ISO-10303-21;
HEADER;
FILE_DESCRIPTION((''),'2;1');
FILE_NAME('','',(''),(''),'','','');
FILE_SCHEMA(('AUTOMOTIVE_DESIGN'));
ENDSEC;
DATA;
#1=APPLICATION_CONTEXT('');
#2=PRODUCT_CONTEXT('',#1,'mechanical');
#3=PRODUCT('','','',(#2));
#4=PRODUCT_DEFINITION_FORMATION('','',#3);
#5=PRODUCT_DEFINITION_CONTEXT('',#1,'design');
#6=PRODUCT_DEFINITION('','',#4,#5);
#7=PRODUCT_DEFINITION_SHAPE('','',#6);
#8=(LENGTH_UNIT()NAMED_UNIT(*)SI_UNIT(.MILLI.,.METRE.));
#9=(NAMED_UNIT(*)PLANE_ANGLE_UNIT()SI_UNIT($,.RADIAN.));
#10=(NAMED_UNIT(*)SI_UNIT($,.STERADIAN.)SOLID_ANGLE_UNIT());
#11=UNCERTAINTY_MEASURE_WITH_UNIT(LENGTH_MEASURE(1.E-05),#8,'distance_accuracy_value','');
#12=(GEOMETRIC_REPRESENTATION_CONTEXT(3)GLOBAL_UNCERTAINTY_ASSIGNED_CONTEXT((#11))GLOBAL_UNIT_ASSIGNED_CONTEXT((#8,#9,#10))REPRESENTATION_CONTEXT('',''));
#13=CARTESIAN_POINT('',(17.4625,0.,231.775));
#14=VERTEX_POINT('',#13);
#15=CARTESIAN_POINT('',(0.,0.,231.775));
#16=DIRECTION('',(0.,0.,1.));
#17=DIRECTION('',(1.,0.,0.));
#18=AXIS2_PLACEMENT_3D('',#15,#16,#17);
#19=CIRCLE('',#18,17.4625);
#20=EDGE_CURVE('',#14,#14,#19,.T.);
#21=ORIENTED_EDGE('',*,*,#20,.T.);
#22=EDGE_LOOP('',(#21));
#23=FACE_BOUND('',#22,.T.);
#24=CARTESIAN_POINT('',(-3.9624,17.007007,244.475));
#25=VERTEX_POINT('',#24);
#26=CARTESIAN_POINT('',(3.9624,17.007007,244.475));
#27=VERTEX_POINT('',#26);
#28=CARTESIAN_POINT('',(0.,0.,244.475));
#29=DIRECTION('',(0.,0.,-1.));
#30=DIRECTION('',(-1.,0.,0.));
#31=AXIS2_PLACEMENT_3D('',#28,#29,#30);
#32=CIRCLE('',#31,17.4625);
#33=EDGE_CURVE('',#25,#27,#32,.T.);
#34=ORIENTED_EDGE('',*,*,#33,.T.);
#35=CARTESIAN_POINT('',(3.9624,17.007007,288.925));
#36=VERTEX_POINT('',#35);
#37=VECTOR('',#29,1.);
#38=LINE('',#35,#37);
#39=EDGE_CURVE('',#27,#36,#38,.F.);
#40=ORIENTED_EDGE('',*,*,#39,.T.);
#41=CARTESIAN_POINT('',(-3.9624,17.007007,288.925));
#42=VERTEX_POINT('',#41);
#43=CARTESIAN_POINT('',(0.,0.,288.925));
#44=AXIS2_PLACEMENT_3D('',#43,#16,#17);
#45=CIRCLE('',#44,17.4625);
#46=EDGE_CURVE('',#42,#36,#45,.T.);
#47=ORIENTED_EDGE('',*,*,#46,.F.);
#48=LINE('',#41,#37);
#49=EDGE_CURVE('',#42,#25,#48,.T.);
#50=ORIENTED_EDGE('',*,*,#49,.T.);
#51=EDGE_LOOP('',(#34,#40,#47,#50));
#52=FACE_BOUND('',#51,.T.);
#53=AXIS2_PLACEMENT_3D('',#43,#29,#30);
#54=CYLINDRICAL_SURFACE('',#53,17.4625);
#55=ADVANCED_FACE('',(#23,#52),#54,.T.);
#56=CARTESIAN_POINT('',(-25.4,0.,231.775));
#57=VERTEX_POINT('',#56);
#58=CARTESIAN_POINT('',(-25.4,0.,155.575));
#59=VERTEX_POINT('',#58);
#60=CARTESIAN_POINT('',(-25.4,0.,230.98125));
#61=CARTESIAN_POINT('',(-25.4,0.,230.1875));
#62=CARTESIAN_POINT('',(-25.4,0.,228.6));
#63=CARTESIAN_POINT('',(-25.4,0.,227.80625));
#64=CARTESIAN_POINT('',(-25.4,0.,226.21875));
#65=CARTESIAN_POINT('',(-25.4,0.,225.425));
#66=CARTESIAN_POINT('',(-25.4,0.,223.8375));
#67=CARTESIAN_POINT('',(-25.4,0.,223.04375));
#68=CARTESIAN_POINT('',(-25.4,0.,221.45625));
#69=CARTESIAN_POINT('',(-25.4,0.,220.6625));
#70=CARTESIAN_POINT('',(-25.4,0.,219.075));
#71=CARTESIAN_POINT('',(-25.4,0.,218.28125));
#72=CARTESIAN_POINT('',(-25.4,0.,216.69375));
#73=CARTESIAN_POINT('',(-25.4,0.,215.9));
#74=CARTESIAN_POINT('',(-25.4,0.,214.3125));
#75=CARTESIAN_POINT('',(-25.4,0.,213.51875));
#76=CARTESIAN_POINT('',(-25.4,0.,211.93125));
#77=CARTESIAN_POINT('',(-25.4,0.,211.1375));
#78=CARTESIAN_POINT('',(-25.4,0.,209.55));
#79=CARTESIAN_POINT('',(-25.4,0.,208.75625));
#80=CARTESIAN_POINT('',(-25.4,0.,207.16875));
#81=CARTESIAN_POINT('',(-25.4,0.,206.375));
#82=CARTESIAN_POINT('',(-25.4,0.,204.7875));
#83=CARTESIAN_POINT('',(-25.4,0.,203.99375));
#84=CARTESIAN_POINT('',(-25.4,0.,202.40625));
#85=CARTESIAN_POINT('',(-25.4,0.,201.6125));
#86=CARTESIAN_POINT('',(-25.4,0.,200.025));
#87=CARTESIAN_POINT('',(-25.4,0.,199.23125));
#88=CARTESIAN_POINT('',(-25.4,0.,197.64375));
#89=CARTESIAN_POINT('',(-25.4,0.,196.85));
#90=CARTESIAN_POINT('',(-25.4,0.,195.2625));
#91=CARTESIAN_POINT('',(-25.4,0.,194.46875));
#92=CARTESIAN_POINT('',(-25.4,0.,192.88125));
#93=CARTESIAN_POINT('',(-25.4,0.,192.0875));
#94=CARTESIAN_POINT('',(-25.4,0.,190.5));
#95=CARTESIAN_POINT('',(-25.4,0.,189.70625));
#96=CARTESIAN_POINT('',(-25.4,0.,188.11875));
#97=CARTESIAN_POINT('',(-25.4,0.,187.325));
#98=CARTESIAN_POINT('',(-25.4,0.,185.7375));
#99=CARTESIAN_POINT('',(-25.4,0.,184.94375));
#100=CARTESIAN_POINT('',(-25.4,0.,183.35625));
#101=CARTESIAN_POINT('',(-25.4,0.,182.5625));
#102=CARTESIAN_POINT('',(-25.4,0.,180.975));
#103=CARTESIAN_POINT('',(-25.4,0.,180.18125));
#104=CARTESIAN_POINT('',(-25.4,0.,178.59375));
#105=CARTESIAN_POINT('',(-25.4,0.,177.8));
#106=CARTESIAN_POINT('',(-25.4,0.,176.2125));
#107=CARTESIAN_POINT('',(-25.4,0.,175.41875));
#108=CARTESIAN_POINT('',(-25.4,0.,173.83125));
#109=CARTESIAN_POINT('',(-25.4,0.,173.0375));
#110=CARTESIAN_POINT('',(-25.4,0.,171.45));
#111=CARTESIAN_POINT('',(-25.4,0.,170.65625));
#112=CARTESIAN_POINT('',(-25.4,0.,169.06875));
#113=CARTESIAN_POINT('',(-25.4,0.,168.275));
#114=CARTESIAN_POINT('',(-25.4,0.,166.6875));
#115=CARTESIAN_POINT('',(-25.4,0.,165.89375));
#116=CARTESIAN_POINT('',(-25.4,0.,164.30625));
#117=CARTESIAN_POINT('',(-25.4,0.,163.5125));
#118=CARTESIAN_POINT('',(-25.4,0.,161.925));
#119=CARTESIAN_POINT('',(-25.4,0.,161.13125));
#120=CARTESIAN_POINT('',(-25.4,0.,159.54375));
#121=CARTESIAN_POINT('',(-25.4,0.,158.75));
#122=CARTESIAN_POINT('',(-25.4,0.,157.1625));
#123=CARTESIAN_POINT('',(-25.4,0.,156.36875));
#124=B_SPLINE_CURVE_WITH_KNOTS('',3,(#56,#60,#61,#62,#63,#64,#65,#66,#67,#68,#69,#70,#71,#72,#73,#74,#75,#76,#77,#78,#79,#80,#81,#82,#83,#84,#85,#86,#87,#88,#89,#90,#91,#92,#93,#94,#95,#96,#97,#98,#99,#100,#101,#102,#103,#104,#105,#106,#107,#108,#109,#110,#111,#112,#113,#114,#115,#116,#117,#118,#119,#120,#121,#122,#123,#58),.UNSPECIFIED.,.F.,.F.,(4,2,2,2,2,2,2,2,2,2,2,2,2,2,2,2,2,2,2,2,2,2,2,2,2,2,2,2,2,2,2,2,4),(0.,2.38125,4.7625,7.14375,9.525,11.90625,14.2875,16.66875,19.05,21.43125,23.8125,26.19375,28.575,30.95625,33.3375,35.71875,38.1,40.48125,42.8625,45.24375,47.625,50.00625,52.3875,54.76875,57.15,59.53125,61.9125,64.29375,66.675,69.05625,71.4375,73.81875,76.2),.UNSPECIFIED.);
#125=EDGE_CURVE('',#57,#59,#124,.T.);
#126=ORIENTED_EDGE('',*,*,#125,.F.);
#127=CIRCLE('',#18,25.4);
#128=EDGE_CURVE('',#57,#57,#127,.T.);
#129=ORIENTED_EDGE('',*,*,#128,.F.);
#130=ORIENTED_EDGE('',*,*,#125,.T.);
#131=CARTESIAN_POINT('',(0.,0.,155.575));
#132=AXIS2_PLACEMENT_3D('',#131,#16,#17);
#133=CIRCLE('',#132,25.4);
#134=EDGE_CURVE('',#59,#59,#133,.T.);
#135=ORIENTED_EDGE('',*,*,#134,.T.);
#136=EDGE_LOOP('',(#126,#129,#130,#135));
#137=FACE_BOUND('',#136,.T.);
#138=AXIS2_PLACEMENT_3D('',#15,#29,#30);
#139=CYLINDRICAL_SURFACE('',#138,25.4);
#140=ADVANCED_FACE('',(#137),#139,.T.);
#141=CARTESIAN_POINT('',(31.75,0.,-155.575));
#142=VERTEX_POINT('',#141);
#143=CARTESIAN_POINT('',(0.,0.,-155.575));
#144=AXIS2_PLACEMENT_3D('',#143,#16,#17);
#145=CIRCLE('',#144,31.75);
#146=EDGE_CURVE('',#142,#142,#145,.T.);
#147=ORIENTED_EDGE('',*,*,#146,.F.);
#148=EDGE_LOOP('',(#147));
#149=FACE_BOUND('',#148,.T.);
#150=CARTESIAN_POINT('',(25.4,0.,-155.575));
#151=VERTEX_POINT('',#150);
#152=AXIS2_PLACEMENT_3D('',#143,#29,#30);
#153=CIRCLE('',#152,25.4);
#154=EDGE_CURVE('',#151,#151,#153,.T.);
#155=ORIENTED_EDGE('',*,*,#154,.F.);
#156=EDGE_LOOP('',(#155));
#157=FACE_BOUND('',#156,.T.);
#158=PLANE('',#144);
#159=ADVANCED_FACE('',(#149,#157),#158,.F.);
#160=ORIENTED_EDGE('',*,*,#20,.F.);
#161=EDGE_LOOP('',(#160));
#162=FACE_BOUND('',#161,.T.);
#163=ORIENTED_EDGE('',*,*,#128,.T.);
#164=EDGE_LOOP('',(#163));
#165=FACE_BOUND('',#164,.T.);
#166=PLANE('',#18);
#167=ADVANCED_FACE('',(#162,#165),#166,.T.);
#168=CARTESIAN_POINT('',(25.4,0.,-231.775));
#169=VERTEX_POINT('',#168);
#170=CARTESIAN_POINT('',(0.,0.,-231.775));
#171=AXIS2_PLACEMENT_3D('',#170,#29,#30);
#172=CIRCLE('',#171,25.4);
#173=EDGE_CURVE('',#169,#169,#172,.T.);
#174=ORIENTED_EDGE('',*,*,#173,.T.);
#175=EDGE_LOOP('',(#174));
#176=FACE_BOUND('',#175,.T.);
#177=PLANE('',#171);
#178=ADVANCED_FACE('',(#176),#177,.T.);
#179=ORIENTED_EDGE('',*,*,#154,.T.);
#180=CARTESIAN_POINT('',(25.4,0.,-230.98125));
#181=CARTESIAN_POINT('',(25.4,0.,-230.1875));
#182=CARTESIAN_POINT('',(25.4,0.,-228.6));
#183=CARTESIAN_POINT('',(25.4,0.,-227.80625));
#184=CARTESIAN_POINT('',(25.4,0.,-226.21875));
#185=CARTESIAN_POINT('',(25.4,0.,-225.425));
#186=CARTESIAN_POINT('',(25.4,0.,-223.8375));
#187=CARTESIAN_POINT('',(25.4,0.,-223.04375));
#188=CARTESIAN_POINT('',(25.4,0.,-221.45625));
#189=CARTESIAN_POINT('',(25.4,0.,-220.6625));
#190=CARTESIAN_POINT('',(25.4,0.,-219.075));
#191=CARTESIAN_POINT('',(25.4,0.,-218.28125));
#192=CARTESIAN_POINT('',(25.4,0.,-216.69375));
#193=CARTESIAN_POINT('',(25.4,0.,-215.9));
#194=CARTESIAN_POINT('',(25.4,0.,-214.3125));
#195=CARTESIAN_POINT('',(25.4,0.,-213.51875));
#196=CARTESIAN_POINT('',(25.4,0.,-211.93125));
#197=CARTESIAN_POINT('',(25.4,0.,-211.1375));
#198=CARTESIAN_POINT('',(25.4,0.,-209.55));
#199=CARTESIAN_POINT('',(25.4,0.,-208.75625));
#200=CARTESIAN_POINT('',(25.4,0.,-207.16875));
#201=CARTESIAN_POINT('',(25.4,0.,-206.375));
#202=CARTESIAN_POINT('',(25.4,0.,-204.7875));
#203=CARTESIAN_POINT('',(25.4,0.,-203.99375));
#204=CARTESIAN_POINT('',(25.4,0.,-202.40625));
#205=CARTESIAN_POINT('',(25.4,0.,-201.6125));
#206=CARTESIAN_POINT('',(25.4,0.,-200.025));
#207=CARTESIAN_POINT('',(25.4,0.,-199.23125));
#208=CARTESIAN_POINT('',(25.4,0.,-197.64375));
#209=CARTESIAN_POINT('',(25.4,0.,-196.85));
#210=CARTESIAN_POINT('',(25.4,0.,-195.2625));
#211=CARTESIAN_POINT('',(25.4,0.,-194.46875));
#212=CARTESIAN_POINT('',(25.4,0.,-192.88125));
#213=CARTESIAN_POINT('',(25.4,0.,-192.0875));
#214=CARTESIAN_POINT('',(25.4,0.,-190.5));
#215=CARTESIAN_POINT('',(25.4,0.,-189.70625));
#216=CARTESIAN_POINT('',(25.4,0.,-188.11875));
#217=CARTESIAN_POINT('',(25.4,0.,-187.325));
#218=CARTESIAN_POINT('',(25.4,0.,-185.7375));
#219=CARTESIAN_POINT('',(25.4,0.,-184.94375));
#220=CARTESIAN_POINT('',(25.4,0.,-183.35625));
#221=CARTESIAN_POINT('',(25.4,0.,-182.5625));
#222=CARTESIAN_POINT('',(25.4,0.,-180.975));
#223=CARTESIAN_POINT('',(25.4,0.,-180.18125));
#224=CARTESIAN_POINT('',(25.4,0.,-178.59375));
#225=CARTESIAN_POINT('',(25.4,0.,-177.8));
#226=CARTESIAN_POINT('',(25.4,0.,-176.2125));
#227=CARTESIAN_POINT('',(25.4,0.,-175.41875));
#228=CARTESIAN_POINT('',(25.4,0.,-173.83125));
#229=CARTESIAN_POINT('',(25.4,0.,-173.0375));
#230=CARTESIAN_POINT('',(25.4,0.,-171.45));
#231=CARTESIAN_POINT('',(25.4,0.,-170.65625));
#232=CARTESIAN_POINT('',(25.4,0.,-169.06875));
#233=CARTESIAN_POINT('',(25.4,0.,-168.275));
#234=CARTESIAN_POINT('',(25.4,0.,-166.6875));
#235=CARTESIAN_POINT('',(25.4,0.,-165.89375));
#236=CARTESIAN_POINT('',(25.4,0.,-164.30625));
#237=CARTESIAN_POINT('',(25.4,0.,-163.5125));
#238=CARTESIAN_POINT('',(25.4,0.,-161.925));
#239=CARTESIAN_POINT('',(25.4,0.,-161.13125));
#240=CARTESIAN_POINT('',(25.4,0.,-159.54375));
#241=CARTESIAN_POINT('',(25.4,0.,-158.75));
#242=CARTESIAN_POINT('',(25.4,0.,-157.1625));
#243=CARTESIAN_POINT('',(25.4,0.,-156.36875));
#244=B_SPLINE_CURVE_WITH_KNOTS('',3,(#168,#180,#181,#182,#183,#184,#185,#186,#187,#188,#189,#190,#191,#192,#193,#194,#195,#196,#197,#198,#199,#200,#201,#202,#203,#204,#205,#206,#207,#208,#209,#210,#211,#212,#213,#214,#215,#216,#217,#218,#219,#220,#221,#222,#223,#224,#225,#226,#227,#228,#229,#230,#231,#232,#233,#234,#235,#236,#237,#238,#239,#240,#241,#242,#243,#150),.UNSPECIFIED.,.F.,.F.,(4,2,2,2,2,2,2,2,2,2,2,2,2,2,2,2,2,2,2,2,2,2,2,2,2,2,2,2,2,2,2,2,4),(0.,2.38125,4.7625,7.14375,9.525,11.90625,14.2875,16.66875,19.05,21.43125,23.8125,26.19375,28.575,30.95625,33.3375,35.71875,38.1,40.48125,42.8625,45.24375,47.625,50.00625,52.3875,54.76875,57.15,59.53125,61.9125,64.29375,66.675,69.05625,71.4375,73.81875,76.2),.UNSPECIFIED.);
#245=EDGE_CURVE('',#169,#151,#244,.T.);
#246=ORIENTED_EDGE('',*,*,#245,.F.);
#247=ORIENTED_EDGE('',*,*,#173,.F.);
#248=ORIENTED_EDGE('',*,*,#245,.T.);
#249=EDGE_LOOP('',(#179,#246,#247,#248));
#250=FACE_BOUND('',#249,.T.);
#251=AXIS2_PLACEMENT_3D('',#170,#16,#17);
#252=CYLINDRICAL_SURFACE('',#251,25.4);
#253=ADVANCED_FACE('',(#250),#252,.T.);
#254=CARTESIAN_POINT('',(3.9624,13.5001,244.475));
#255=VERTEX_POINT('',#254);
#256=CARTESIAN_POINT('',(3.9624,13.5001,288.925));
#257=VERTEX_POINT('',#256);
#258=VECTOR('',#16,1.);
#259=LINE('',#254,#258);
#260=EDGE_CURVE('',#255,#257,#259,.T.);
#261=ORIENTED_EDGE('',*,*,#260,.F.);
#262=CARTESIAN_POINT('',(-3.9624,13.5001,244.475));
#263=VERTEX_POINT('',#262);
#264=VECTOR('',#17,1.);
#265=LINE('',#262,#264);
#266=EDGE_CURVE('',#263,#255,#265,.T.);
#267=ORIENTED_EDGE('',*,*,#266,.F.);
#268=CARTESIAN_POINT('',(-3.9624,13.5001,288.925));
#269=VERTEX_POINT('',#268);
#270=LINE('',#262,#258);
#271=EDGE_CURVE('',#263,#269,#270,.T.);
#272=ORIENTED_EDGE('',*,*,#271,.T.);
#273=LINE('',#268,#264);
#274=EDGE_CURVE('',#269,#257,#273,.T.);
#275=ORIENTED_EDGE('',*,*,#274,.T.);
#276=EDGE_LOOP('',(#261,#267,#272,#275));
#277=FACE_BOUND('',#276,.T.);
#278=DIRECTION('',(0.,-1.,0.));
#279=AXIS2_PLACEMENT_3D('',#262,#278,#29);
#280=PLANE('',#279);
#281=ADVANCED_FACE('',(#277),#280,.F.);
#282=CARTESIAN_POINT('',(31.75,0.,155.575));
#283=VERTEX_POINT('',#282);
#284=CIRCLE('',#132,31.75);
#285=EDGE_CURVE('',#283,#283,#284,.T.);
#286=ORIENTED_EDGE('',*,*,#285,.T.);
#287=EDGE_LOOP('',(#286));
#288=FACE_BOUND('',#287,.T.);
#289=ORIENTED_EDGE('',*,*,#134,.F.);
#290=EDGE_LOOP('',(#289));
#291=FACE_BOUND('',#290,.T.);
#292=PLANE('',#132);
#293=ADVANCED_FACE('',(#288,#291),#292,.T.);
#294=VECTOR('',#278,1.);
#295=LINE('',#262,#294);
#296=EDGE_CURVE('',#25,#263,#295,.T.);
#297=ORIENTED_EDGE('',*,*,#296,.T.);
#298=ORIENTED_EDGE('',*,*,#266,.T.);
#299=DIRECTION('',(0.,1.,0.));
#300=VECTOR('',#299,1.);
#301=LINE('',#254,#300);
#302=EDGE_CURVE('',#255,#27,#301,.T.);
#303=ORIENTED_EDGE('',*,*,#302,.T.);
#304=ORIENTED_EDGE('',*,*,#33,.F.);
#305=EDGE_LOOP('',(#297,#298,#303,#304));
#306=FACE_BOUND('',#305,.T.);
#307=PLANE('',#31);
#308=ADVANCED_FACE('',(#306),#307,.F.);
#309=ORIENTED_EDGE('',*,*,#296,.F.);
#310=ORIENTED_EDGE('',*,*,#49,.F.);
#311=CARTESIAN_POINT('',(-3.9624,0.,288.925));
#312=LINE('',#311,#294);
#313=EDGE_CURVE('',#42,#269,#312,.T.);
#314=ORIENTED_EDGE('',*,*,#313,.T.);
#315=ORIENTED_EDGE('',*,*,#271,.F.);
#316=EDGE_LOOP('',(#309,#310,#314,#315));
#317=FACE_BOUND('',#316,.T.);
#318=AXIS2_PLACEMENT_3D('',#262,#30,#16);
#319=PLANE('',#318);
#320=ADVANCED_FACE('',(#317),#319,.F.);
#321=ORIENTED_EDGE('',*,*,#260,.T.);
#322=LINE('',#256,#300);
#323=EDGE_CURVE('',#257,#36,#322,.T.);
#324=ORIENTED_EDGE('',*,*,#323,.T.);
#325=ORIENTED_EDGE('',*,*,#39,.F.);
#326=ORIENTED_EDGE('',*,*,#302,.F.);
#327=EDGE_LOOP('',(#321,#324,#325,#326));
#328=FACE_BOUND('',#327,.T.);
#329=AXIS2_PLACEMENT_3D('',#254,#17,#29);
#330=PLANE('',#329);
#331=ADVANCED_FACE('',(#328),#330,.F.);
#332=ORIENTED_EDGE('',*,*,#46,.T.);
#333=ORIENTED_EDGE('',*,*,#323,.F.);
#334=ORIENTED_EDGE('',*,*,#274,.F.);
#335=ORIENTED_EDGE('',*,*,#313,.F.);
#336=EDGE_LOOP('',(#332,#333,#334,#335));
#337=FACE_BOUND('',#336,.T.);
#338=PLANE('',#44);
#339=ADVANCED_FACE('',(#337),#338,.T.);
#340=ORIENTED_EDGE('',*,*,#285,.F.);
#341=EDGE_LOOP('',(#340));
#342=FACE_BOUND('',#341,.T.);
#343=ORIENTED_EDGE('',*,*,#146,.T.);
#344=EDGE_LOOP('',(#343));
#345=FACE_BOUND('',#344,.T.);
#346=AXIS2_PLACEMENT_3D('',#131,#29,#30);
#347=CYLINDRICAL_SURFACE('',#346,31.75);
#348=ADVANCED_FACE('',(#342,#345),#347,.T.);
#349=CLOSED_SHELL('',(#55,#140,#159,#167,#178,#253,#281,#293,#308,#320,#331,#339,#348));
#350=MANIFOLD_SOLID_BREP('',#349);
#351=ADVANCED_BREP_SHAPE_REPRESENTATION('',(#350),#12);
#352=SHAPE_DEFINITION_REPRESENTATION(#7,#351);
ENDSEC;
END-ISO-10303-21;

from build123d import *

# Parameters (mm, degrees)
SKETCH1_R           = 31.75
BOSS_EXTRUDE1_DEPTH = 155.575
SKETCH2_R           = 25.4
BOSS_EXTRUDE2_DEPTH = 76.2
BOSS_EXTRUDE3_START = 76.2
SKETCH3_R           = 25.4
BOSS_EXTRUDE3_DEPTH = 76.2
SKETCH18_R          = 17.4625
BOSS_EXTRUDE6_DEPTH = 57.15
SKETCH20_W          = 7.9248
SKETCH20_H          = 7.9248
CUT_EXTRUDE1_DEPTH  = 44.45


with BuildPart() as part:
    # Sketch1 → Boss-Extrude1 (new, symmetric)
    with BuildSketch(Plane.XY):
        Circle(SKETCH1_R)
    extrude(amount=BOSS_EXTRUDE1_DEPTH, both=True)

    # Sketch2 → Boss-Extrude2 (add)
    with BuildSketch(Plane.XY.offset(155.575)):
        with Locations(Location((0, 0, 0), (0, 0, 180))):
            Circle(SKETCH2_R)
    extrude(amount=BOSS_EXTRUDE2_DEPTH)

    # Sketch3 → Boss-Extrude3 (add)
    with BuildSketch(Plane(origin=(0, 0, -155.575), x_dir=(-1, 0, 0), z_dir=(0, 0, -1)).offset(BOSS_EXTRUDE3_START)):
        Circle(SKETCH3_R)
    extrude(amount=-BOSS_EXTRUDE3_DEPTH)

    # Sketch18 → Boss-Extrude6 (add)
    with BuildSketch(Plane.XY.offset(231.775)):
        Circle(SKETCH18_R)
    extrude(amount=BOSS_EXTRUDE6_DEPTH)

    # Sketch20 → Cut-Extrude1 (cut)
    with BuildSketch(Plane.XY.offset(288.925)):
        with Locations((0, 17.4625)):
            Rectangle(SKETCH20_W, SKETCH20_H)
    extrude(amount=-CUT_EXTRUDE1_DEPTH, mode=Mode.SUBTRACT)


solid = part.part
